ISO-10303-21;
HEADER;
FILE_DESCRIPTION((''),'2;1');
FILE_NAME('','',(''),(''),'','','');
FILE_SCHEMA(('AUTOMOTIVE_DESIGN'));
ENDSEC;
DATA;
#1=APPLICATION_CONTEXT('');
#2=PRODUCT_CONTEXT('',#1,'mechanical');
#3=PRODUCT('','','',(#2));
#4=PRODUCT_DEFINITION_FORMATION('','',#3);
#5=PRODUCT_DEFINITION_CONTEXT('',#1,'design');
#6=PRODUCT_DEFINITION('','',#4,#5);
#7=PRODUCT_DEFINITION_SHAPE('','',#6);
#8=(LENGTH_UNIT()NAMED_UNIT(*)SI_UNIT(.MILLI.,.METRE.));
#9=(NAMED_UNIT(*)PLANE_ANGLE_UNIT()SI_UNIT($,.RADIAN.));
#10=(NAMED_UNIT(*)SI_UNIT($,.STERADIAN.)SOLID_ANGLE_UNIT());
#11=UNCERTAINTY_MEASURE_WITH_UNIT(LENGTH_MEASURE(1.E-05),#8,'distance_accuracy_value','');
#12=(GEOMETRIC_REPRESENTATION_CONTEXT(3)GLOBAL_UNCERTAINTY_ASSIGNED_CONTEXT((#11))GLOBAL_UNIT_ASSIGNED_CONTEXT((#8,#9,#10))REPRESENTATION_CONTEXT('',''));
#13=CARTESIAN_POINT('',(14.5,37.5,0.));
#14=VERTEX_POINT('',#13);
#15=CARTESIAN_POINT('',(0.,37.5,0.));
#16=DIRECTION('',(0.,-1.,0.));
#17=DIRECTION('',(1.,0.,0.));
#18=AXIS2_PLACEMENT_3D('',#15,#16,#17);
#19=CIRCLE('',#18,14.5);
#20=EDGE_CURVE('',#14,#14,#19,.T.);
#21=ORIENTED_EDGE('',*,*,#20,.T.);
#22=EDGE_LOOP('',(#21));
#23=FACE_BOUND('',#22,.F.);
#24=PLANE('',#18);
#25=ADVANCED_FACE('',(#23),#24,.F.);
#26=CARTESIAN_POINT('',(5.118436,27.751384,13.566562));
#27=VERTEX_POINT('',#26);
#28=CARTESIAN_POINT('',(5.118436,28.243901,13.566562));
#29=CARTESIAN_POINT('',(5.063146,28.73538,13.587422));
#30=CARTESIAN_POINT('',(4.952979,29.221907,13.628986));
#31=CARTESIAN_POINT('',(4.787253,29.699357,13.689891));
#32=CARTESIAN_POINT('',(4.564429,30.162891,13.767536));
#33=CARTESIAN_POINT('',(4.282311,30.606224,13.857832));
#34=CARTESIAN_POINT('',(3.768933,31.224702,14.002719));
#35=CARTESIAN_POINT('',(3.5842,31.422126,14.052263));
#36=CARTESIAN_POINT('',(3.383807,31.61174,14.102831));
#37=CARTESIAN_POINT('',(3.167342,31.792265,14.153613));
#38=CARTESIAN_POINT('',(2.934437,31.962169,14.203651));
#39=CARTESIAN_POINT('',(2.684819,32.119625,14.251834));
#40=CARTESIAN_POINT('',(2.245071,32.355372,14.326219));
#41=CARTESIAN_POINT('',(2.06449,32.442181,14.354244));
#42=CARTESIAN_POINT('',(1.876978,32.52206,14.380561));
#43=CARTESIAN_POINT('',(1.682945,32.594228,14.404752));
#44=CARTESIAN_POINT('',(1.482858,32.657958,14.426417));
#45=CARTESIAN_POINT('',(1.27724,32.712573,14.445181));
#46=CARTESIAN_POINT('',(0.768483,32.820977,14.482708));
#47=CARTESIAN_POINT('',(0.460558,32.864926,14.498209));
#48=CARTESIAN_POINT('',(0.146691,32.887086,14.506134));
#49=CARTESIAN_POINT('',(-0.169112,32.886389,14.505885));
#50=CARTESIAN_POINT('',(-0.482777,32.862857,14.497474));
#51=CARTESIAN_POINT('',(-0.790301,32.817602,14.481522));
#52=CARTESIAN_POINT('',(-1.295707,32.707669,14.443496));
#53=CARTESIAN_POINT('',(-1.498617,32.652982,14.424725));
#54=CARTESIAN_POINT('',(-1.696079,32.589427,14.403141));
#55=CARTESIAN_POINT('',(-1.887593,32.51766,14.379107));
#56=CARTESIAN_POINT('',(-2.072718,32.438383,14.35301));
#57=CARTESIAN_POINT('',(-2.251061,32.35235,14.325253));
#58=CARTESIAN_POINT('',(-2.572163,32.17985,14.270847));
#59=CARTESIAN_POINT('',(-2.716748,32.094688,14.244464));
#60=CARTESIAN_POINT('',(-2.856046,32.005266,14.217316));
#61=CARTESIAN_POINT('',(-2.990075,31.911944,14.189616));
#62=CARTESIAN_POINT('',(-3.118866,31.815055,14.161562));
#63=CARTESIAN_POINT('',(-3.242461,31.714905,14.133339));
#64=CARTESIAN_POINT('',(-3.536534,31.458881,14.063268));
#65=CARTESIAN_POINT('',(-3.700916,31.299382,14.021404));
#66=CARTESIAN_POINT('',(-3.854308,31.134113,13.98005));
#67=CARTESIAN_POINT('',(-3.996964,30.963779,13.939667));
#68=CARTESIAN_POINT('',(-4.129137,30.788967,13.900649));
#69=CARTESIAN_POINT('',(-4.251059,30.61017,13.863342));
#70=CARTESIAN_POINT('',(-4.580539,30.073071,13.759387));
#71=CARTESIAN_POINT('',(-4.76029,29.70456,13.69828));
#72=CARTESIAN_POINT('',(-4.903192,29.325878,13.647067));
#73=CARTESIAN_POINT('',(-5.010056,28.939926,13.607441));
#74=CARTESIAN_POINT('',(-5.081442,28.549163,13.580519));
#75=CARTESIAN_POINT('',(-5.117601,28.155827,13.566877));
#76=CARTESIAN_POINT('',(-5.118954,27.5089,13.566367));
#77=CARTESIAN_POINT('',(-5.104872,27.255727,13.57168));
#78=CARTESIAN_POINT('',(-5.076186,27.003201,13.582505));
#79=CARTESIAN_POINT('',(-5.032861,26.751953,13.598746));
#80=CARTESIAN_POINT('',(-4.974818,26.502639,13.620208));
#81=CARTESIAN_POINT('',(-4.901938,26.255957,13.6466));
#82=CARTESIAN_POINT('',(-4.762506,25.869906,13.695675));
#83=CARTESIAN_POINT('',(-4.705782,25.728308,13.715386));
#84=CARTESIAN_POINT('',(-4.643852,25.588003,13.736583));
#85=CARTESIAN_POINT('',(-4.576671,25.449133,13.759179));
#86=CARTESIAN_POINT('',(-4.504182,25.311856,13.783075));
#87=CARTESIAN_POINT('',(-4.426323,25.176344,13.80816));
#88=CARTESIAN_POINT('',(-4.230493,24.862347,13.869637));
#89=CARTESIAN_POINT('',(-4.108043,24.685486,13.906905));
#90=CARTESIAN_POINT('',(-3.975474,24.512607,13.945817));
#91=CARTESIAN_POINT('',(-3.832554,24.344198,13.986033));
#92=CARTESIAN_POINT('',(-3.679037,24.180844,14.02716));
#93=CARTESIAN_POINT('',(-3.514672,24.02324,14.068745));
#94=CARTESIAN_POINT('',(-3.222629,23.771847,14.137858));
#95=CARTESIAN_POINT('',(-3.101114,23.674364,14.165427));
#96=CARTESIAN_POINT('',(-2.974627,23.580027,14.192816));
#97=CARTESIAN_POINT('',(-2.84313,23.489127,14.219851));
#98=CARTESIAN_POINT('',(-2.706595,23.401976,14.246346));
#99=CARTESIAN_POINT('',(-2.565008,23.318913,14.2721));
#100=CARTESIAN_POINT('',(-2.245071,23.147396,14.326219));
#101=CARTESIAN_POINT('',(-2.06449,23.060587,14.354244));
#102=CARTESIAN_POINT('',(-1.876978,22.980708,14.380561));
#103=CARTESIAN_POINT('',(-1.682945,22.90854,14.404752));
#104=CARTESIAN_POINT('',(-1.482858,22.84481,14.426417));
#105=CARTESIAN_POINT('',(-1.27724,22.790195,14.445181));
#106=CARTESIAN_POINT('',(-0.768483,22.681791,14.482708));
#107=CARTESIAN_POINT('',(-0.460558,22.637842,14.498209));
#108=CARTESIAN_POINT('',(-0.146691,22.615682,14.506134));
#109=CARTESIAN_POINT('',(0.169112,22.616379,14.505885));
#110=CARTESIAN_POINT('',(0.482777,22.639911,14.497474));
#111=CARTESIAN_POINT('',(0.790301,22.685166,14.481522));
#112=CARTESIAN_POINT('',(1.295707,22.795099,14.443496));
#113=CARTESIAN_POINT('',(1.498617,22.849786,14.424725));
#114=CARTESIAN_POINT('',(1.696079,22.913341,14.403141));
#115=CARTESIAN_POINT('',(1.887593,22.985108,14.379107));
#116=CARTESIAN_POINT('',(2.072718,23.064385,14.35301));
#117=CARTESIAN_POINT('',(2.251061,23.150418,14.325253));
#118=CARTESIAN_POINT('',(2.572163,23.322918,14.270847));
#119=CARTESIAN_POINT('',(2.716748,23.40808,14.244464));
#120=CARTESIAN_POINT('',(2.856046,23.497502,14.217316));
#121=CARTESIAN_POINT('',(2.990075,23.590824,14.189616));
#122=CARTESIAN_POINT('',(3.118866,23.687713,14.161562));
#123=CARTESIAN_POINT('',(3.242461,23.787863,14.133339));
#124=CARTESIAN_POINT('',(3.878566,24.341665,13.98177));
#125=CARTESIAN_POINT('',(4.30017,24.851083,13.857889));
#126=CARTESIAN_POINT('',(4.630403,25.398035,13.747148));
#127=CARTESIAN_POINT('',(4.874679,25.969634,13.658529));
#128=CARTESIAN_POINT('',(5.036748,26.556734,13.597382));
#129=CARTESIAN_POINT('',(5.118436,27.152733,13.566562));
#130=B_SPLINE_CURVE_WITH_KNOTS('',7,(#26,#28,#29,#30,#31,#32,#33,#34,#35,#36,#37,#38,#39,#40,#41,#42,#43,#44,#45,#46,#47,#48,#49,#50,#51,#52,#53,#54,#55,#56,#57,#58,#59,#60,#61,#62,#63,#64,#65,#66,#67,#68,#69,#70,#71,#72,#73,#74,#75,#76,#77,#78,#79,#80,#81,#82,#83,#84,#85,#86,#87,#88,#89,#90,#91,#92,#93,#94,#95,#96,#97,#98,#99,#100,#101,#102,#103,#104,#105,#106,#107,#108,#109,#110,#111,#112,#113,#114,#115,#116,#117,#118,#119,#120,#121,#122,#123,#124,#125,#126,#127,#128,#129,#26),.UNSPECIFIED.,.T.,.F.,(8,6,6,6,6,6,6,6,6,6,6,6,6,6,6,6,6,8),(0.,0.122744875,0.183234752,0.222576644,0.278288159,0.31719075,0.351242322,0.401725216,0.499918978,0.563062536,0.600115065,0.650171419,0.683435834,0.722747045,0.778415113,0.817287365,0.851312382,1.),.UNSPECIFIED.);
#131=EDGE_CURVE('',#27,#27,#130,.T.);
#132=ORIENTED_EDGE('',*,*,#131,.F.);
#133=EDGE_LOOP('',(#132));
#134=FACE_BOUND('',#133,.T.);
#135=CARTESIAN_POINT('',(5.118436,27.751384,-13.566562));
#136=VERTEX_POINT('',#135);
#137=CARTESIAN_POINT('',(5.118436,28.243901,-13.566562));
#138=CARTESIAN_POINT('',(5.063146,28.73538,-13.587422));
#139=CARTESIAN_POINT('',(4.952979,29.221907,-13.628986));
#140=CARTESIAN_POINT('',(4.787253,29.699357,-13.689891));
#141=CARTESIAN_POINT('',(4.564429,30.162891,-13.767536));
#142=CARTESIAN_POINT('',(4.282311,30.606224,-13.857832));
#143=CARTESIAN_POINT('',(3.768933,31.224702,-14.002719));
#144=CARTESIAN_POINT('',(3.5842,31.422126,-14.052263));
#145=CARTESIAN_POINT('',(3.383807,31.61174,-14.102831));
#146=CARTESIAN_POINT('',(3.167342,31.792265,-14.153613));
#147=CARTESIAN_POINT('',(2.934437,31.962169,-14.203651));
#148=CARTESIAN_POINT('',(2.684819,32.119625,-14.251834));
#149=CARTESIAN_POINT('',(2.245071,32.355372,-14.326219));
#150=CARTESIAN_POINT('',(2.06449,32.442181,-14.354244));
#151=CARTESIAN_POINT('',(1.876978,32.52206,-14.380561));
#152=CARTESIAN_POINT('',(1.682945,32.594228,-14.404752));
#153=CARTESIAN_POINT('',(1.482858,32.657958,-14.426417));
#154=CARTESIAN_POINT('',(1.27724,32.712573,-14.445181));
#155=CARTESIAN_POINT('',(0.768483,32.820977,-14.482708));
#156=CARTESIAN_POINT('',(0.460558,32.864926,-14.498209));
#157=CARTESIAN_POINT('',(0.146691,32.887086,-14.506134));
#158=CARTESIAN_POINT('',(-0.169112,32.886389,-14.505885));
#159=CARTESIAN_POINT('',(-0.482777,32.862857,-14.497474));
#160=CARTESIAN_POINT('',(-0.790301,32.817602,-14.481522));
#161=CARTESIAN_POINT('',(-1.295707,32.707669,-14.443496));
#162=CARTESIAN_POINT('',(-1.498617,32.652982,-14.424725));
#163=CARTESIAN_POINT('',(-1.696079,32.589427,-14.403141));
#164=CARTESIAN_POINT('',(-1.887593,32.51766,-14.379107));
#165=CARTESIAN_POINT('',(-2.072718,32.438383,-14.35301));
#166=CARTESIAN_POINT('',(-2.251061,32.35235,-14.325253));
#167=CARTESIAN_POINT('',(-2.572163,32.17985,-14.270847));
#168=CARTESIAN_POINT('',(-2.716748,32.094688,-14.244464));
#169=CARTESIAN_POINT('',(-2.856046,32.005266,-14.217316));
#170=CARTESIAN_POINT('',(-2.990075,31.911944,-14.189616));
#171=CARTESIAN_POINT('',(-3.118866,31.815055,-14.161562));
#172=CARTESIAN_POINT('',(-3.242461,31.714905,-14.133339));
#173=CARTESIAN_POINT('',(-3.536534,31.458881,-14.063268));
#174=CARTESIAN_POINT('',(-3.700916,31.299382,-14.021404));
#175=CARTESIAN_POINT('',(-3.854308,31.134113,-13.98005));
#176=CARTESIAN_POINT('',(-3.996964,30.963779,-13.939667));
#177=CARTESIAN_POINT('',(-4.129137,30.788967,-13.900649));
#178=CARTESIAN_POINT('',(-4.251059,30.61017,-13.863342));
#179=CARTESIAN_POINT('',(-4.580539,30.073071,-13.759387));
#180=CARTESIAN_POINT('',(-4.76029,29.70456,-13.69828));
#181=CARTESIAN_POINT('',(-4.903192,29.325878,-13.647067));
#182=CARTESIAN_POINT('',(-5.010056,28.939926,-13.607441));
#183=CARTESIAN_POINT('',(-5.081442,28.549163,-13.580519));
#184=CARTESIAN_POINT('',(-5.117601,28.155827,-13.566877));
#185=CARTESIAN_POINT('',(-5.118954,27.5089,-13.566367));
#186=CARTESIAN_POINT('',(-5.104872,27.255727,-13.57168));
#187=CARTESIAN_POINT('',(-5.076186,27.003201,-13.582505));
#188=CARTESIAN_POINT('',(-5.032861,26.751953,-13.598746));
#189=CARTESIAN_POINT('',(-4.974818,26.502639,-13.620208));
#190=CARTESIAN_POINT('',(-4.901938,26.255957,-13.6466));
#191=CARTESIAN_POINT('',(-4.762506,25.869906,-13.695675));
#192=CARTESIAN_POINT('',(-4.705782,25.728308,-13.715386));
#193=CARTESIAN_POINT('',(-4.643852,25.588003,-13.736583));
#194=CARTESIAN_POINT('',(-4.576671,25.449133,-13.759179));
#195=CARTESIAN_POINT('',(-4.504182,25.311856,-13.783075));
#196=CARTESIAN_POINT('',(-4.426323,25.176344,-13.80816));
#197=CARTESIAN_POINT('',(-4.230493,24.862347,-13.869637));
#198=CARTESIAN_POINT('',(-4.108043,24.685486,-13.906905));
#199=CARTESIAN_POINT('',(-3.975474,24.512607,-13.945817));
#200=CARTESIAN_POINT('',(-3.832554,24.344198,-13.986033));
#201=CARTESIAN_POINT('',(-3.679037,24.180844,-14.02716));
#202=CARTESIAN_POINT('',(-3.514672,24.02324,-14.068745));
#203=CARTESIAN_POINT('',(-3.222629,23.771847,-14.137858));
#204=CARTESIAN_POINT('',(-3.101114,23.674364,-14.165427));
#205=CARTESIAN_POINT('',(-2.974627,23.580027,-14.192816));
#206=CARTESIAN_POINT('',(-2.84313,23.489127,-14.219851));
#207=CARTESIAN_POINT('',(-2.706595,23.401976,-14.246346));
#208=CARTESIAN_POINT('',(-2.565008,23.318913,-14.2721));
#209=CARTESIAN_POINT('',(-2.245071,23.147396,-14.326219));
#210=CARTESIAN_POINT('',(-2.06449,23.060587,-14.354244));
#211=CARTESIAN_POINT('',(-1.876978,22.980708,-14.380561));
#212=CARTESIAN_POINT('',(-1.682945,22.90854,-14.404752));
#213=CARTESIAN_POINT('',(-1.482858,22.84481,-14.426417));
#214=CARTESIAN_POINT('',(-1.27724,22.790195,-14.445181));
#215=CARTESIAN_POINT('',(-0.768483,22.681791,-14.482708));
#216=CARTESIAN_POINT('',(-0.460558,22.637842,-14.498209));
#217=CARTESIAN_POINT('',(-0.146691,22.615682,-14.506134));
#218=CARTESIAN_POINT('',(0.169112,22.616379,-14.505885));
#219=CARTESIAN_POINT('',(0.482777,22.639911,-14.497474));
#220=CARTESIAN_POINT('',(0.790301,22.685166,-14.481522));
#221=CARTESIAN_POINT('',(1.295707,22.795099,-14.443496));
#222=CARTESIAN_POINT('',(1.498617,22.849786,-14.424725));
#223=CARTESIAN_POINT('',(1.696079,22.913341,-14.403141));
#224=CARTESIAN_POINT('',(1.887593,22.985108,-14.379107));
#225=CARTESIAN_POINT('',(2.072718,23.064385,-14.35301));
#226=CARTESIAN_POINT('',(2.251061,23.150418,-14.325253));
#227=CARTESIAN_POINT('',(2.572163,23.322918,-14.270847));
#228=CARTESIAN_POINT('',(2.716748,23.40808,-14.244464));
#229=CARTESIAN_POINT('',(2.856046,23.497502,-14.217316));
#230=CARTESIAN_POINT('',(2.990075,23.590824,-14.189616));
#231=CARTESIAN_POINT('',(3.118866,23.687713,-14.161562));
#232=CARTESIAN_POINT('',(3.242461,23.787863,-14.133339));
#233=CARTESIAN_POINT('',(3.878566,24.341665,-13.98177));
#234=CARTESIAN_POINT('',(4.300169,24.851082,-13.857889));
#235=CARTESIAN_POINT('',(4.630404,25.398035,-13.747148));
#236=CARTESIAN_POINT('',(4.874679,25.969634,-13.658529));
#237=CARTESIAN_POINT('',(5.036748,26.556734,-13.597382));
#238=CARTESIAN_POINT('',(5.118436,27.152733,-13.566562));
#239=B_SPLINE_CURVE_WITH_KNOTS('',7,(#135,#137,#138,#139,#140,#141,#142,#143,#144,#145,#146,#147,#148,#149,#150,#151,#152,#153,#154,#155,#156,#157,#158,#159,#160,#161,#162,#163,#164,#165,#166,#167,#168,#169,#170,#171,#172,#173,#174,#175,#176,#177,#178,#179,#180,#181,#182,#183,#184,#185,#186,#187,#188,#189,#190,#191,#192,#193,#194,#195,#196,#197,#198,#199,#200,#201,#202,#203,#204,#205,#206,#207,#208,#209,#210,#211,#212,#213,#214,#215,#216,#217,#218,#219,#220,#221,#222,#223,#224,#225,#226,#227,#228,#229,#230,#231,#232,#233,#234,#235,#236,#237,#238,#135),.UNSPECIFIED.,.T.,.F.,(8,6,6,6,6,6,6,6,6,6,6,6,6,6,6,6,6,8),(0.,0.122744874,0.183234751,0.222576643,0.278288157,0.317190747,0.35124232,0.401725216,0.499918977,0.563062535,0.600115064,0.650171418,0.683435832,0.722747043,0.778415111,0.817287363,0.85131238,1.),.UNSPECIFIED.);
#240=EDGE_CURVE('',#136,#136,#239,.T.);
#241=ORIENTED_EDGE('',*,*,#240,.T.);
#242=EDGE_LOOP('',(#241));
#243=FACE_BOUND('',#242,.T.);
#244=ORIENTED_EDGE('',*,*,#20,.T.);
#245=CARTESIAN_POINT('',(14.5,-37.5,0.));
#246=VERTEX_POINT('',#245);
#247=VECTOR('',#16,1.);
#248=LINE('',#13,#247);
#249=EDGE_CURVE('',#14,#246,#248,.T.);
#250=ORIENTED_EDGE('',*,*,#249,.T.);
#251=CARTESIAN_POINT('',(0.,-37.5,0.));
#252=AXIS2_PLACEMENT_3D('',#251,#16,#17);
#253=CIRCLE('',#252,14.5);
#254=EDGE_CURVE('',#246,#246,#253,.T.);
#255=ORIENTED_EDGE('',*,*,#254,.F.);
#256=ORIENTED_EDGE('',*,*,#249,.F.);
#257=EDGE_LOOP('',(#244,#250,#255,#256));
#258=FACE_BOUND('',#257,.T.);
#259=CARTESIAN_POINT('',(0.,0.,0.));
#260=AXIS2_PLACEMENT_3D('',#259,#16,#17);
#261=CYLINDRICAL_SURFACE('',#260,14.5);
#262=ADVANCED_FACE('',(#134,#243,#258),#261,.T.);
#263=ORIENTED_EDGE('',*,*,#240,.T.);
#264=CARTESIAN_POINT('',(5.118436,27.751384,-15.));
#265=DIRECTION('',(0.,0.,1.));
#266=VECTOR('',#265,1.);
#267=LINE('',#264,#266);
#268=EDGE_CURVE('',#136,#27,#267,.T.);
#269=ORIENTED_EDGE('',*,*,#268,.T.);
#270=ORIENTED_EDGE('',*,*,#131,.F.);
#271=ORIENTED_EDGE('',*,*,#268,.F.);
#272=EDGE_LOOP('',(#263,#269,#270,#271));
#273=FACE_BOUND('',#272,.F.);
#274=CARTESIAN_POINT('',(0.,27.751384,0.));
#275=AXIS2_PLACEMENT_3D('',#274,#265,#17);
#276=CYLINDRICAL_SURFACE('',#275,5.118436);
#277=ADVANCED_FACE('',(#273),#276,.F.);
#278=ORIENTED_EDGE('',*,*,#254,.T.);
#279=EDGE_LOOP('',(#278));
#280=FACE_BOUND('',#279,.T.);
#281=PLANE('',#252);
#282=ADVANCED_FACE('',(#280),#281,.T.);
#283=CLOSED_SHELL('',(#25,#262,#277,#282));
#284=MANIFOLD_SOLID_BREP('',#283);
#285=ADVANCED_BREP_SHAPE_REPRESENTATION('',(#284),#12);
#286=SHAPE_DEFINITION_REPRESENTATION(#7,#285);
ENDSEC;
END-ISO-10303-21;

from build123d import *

# Parameters (mm, degrees)
F0_R     = 14.5
F1_DEPTH = 37.5
F2_R     = 5.118436
F3_DEPTH = 15


with BuildPart() as f1:
    # F0 (on Front) → F1 (new body, symmetric)
    with BuildSketch(Plane.XZ):
        Circle(F0_R)
    extrude(amount=F1_DEPTH, both=True)

    # F2 (on Top) → F3 (cut, symmetric)
    with BuildSketch(Plane.XY):
        with Locations((0, 27.751384)):
            Circle(F2_R)
    extrude(amount=F3_DEPTH, both=True, mode=Mode.SUBTRACT)


solid = f1.part
